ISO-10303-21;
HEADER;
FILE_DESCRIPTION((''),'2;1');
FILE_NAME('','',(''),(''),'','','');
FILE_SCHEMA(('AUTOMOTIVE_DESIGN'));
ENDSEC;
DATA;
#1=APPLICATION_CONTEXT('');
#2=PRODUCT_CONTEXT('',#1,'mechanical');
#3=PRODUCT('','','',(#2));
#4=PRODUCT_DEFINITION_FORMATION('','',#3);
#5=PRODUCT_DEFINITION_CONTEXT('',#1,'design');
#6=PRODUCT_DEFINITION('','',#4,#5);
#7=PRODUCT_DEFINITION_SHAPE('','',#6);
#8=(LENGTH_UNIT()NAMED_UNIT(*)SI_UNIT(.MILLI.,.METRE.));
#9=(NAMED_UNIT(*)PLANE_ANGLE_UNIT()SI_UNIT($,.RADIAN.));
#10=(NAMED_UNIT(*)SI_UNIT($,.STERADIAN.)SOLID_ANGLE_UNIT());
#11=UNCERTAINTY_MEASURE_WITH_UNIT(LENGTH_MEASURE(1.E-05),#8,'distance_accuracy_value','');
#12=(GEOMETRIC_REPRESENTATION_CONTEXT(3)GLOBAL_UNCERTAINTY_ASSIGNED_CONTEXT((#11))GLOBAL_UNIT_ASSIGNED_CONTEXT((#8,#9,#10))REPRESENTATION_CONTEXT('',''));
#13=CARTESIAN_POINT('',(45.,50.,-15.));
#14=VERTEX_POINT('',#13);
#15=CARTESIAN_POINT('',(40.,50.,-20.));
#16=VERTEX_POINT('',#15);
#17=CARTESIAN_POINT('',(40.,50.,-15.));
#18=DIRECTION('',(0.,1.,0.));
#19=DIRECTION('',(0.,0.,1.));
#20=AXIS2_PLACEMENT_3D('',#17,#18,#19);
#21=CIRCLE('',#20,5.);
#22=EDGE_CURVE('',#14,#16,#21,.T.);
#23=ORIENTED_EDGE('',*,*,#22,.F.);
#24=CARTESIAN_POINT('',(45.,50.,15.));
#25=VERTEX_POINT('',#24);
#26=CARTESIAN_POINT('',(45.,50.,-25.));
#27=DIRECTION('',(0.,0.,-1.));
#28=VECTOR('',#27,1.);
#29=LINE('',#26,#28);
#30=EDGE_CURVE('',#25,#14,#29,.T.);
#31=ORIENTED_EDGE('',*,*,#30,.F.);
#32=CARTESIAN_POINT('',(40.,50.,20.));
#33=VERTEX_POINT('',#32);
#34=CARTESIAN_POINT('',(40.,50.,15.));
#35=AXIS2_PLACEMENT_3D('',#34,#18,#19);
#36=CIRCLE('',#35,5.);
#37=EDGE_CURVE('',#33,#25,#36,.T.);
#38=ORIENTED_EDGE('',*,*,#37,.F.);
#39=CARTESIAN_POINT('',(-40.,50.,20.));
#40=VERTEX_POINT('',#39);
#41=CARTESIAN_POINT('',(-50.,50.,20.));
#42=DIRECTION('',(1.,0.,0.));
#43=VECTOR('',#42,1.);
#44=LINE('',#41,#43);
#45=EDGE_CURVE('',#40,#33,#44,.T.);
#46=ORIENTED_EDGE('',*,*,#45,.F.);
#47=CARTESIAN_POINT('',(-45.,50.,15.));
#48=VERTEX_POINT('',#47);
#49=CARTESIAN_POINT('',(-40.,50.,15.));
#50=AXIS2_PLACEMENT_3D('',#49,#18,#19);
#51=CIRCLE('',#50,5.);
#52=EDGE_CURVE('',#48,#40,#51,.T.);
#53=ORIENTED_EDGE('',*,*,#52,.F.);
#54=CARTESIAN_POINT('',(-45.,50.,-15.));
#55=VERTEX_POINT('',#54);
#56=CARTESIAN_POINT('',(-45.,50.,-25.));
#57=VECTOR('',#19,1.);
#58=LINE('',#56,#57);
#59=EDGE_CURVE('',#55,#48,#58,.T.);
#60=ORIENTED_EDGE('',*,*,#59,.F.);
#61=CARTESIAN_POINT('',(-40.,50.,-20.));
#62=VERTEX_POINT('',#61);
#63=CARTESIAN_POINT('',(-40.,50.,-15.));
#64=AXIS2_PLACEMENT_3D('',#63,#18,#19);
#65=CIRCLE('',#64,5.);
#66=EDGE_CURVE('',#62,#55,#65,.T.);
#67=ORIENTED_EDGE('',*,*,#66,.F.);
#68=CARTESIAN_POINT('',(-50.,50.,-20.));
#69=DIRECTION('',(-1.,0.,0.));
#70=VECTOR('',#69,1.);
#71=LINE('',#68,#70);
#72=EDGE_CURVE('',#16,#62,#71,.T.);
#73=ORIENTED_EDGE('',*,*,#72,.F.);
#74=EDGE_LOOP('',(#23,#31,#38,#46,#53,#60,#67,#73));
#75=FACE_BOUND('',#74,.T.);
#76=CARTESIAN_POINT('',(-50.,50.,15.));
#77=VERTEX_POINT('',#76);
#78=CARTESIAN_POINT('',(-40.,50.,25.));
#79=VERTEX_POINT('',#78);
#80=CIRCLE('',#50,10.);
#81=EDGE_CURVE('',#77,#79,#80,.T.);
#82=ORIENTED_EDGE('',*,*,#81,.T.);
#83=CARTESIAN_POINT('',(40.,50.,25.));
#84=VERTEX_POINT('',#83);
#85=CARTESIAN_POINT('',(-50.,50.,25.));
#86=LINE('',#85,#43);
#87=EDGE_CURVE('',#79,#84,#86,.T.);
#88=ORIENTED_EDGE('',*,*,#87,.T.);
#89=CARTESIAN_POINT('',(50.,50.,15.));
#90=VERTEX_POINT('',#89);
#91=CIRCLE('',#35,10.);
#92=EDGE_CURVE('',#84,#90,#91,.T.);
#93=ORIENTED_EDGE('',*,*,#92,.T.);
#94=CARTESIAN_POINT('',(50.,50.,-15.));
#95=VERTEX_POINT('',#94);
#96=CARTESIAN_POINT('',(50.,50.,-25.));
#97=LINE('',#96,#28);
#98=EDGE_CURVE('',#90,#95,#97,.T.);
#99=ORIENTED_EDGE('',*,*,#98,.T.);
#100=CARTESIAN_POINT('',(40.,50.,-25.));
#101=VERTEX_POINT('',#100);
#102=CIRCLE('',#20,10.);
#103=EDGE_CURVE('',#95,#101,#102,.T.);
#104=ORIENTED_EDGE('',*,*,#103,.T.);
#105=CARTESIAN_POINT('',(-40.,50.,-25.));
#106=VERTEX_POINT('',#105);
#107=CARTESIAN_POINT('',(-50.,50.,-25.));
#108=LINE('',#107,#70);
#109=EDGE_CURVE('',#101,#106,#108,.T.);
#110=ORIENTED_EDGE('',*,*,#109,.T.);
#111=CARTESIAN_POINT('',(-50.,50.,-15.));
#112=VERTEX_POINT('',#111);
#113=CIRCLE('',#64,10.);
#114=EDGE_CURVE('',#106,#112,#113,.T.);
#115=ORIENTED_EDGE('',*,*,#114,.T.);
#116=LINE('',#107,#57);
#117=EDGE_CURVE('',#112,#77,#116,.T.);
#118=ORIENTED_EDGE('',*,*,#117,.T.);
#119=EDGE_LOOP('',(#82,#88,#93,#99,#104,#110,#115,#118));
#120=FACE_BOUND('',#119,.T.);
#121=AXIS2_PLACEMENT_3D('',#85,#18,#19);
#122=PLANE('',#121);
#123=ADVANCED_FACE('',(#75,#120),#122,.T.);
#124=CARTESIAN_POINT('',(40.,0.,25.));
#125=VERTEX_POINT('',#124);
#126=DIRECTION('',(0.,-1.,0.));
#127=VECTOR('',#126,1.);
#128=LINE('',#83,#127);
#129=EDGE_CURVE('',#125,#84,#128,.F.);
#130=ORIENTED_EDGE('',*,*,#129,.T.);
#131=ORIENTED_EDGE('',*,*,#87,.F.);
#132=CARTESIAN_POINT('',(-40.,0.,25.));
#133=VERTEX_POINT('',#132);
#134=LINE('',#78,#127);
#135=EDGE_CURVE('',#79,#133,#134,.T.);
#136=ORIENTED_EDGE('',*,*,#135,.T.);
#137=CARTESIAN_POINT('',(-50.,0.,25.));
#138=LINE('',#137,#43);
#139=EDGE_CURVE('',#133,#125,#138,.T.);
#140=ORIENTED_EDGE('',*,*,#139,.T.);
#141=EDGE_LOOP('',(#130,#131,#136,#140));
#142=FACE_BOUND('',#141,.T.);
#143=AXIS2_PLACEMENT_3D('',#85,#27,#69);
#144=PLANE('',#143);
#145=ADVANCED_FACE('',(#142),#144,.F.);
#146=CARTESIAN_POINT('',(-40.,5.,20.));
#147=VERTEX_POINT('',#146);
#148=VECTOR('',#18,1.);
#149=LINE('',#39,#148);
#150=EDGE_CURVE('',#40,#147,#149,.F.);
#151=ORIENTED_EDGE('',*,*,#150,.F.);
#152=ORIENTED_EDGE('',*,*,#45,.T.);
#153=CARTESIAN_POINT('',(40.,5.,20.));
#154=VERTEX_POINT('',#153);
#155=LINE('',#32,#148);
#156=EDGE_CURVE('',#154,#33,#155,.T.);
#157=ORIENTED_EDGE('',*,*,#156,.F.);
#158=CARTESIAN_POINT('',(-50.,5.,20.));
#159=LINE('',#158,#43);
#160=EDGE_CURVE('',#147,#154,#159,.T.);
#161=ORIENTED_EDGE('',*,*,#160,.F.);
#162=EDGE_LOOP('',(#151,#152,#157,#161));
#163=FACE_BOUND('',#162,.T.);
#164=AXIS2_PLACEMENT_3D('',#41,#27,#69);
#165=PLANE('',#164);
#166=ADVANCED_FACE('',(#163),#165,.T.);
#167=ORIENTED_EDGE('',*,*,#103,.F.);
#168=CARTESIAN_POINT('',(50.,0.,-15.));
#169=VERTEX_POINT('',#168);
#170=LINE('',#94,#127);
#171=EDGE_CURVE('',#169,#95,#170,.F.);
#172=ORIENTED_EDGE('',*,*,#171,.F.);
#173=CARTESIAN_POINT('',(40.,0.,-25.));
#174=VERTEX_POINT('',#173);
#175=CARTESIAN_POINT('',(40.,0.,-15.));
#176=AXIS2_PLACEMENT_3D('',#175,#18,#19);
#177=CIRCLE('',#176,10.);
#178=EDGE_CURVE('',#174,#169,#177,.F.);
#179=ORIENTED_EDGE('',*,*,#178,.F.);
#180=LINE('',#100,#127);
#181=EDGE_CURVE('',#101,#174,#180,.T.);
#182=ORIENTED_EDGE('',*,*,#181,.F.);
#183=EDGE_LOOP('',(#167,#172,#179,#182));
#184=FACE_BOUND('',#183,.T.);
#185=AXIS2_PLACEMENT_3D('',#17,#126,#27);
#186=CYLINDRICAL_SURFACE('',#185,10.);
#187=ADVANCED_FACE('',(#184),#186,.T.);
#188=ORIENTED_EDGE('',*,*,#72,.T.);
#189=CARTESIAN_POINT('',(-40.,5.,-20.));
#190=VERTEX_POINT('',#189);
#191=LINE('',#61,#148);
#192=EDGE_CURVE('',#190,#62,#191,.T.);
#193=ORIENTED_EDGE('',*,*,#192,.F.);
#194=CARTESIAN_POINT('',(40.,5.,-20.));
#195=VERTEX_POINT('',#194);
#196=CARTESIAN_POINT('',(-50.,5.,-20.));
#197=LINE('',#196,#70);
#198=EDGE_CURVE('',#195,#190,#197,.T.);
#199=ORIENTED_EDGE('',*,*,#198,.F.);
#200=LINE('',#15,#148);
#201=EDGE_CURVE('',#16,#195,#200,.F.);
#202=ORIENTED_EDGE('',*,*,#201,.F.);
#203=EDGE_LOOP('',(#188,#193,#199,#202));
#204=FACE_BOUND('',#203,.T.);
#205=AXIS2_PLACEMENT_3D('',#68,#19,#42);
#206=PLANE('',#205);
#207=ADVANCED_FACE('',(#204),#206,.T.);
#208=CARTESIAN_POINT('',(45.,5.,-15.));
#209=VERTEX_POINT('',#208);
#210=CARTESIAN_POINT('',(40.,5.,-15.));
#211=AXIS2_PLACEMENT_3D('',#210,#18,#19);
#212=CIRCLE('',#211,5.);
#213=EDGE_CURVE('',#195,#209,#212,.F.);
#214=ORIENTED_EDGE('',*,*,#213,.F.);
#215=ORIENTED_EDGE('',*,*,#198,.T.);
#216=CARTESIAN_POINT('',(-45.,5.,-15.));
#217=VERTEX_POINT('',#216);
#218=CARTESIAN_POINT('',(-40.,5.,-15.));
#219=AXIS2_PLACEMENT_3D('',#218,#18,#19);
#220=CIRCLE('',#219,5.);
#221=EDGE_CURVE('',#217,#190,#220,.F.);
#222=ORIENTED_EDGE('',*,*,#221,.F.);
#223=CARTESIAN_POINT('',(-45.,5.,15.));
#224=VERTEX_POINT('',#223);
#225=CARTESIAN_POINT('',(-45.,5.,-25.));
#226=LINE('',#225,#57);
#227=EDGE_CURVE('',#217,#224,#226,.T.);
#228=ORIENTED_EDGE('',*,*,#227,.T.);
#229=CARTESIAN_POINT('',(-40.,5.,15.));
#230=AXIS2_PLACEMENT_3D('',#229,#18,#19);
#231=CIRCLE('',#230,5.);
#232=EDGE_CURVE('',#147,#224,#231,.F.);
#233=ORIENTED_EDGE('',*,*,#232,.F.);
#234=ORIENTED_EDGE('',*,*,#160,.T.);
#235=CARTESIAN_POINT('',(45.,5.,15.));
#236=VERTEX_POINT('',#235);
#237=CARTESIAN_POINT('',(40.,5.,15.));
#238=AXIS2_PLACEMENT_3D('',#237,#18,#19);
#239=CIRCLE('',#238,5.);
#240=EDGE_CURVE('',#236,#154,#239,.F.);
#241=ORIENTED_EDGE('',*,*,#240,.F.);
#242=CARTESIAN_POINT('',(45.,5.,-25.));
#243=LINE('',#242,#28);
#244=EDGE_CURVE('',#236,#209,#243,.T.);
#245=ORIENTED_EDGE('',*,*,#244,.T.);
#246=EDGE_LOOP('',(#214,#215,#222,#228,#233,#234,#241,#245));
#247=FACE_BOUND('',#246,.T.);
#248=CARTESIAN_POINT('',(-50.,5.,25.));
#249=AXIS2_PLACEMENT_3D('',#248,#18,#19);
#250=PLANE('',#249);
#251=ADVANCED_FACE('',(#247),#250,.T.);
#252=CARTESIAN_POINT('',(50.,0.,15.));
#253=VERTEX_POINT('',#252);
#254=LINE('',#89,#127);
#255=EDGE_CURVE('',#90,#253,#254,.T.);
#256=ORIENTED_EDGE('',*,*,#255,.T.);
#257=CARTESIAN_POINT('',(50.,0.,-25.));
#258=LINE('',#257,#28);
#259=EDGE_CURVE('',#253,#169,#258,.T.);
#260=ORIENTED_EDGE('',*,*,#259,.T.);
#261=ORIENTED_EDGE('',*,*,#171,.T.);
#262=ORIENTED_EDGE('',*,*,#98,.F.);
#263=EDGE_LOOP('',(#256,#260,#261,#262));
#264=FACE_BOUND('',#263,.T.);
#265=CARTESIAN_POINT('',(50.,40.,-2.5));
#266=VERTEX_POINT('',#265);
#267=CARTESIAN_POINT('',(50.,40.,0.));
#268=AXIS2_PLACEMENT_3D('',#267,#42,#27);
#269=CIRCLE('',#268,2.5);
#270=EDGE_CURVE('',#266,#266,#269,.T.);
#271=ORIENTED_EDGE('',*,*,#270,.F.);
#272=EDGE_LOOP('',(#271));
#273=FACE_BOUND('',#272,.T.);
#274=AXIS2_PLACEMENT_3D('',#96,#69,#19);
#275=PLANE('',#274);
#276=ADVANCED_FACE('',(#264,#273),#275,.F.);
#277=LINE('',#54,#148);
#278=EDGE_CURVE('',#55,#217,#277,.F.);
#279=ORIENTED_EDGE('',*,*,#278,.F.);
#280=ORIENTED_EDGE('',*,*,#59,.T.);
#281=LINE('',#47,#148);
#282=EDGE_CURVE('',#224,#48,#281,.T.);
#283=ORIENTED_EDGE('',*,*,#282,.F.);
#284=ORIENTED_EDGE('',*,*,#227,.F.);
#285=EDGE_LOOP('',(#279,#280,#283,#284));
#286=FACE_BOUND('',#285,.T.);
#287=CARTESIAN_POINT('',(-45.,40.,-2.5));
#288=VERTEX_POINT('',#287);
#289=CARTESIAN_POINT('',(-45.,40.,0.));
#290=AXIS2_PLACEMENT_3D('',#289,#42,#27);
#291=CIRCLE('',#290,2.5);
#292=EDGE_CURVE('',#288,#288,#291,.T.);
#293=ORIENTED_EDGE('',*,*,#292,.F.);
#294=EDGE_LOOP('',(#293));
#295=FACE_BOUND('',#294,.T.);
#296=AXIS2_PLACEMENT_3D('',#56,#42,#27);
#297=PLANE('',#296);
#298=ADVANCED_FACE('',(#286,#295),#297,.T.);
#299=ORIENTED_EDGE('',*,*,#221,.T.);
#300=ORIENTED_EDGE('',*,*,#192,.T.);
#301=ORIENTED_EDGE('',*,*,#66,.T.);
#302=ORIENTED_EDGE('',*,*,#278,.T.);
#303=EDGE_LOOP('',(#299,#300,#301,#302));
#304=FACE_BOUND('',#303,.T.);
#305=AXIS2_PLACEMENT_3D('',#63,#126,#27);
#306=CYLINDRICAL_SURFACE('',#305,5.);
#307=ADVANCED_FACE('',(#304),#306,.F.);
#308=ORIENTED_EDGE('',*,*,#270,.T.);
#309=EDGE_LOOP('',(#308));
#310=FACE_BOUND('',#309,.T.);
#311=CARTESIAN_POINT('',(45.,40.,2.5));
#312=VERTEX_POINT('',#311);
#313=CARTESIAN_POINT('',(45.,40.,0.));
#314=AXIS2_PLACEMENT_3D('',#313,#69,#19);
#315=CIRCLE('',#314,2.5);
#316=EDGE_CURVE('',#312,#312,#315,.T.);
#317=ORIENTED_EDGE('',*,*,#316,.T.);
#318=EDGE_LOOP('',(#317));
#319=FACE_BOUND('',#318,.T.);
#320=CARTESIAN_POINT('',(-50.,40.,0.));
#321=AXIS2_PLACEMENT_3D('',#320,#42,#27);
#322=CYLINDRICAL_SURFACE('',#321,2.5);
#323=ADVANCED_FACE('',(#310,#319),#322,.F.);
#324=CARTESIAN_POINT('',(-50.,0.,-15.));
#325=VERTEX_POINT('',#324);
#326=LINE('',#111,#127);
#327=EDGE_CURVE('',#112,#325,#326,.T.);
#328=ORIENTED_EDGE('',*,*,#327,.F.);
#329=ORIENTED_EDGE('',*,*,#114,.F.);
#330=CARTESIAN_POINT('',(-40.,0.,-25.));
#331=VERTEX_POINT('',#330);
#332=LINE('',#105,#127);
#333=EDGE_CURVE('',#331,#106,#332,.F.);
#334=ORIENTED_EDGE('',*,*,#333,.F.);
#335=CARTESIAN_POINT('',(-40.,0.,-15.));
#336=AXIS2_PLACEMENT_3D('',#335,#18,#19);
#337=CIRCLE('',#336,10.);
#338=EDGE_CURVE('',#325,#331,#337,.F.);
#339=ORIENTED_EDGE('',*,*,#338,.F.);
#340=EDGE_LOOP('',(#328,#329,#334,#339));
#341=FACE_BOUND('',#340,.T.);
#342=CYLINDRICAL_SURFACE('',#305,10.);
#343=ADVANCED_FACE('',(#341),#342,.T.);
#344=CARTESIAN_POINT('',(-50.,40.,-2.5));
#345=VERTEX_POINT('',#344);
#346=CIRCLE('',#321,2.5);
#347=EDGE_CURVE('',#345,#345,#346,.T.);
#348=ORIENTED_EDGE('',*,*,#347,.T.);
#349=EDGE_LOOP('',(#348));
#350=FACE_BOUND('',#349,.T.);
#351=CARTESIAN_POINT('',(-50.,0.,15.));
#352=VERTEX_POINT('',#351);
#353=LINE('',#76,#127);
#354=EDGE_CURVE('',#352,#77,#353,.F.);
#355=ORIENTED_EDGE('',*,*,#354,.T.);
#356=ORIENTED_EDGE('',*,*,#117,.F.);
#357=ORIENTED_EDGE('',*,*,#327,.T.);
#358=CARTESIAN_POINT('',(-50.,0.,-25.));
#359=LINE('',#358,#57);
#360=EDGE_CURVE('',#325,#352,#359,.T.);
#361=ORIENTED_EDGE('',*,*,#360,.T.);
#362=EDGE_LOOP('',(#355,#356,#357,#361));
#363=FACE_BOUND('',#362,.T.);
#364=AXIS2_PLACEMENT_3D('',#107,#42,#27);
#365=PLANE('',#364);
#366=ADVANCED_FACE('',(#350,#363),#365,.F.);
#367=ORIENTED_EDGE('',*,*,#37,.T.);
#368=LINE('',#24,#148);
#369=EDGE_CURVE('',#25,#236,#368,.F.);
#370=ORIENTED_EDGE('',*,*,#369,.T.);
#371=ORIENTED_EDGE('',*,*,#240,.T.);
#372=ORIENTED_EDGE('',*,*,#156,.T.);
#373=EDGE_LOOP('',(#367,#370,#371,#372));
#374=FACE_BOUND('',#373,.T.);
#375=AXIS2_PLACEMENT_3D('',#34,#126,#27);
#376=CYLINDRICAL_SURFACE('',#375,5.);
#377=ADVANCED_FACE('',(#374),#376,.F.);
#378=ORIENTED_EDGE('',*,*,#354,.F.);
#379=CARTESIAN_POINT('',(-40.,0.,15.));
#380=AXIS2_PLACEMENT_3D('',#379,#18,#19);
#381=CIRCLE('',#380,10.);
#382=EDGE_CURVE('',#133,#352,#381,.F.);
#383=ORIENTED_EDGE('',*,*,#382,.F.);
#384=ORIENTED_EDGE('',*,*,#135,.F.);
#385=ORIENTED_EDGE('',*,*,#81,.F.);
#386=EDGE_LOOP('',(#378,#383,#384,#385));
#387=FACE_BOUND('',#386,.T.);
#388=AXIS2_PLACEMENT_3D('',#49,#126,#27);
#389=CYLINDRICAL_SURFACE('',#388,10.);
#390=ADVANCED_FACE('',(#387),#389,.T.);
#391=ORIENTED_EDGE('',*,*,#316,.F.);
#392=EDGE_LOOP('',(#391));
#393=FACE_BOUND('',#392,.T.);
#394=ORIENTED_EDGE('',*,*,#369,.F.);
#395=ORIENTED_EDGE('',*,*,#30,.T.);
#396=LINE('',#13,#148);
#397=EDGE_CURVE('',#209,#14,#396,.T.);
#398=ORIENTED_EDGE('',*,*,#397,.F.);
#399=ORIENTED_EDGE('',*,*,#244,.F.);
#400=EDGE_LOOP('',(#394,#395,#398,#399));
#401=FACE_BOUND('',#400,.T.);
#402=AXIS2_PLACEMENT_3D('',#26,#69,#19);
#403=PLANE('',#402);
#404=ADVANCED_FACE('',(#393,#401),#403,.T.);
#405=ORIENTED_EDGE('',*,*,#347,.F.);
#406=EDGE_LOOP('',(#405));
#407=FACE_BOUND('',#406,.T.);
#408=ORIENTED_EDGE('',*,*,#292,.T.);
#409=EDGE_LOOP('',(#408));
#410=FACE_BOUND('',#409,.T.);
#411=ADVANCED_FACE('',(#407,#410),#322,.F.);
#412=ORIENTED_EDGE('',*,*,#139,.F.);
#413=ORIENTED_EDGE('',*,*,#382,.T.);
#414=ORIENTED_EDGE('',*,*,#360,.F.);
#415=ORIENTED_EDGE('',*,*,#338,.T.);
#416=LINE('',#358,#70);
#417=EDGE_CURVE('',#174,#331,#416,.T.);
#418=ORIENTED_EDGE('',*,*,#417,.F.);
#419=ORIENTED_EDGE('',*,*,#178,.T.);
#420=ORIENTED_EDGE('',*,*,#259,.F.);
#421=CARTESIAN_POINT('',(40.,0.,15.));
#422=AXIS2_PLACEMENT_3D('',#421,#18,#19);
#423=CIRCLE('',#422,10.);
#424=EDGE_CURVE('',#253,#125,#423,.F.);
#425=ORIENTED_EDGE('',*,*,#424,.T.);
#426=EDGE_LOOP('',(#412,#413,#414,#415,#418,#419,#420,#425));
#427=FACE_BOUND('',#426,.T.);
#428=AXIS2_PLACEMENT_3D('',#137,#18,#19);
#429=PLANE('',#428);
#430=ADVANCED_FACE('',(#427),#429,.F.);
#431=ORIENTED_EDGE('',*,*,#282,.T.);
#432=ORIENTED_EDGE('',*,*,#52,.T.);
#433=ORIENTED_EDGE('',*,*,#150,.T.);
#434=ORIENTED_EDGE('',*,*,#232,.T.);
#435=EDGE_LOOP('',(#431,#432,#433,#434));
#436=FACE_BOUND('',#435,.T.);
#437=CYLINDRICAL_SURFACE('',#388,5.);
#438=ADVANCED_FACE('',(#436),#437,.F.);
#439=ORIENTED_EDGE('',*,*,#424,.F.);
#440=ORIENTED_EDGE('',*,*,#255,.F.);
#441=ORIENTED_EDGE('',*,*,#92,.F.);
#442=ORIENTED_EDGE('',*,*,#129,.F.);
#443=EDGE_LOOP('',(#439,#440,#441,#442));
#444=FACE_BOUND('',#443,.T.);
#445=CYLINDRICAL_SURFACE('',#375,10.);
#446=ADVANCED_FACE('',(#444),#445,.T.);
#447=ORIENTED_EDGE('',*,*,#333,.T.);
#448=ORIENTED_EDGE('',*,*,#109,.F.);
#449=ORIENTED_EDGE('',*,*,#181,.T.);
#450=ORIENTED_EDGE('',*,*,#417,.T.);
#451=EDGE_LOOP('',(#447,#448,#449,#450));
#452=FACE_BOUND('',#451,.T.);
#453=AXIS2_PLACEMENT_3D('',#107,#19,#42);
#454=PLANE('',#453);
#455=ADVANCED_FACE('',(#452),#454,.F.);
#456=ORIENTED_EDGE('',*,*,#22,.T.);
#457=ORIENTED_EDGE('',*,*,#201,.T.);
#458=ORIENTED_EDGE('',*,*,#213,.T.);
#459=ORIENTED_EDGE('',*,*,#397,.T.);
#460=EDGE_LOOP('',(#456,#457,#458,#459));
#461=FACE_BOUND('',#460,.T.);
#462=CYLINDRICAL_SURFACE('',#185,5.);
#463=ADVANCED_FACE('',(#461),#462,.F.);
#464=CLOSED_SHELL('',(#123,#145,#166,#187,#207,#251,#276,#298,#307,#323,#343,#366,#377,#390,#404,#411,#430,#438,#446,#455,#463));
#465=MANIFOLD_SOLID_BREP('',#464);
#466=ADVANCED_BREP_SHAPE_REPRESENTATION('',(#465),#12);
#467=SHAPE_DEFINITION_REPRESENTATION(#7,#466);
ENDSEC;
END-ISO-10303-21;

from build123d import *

# Parameters (mm, degrees)
SKETCH1_W           = 100
SKETCH1_H           = 50
BOSS_EXTRUDE1_DEPTH = 50
FILLET1_R           = 10
SHELL1_T            = -5
SKETCH2_R           = 2.5
CUT_EXTRUDE1_DEPTH  = 115.564392374


with BuildPart() as part:
    # Sketch1 → Boss-Extrude1 (new body)
    with BuildSketch(Plane(origin=(0, 0, 0), x_dir=(1, 0, 0), z_dir=(0, 1, 0))):
        Rectangle(SKETCH1_W, SKETCH1_H)
    extrude(amount=BOSS_EXTRUDE1_DEPTH)

    # Fillet1
    fillet1_edges = [part.edges().sort_by_distance(p)[0] for p in [
        (-50, 25, -25),
        (50, 25, -25),
        (50, 25, 25),
        (-50, 25, 25),
    ]]
    fillet(fillet1_edges, radius=FILLET1_R)

    # Shell1
    shell1_openings = [part.faces().sort_by_distance(p)[0] for p in [
        (0, 50, 0),
    ]]
    offset(amount=SHELL1_T, openings=shell1_openings, kind=Kind.INTERSECTION)

    # Sketch2 → Cut-Extrude1 (cut, through all)
    with BuildSketch(Plane(origin=(50, 0, 0), x_dir=(0, 0, -1), z_dir=(1, 0, 0))):
        with Locations((0, 40)):
            Circle(SKETCH2_R)
    extrude(amount=-CUT_EXTRUDE1_DEPTH, mode=Mode.SUBTRACT)


solid = part.part
